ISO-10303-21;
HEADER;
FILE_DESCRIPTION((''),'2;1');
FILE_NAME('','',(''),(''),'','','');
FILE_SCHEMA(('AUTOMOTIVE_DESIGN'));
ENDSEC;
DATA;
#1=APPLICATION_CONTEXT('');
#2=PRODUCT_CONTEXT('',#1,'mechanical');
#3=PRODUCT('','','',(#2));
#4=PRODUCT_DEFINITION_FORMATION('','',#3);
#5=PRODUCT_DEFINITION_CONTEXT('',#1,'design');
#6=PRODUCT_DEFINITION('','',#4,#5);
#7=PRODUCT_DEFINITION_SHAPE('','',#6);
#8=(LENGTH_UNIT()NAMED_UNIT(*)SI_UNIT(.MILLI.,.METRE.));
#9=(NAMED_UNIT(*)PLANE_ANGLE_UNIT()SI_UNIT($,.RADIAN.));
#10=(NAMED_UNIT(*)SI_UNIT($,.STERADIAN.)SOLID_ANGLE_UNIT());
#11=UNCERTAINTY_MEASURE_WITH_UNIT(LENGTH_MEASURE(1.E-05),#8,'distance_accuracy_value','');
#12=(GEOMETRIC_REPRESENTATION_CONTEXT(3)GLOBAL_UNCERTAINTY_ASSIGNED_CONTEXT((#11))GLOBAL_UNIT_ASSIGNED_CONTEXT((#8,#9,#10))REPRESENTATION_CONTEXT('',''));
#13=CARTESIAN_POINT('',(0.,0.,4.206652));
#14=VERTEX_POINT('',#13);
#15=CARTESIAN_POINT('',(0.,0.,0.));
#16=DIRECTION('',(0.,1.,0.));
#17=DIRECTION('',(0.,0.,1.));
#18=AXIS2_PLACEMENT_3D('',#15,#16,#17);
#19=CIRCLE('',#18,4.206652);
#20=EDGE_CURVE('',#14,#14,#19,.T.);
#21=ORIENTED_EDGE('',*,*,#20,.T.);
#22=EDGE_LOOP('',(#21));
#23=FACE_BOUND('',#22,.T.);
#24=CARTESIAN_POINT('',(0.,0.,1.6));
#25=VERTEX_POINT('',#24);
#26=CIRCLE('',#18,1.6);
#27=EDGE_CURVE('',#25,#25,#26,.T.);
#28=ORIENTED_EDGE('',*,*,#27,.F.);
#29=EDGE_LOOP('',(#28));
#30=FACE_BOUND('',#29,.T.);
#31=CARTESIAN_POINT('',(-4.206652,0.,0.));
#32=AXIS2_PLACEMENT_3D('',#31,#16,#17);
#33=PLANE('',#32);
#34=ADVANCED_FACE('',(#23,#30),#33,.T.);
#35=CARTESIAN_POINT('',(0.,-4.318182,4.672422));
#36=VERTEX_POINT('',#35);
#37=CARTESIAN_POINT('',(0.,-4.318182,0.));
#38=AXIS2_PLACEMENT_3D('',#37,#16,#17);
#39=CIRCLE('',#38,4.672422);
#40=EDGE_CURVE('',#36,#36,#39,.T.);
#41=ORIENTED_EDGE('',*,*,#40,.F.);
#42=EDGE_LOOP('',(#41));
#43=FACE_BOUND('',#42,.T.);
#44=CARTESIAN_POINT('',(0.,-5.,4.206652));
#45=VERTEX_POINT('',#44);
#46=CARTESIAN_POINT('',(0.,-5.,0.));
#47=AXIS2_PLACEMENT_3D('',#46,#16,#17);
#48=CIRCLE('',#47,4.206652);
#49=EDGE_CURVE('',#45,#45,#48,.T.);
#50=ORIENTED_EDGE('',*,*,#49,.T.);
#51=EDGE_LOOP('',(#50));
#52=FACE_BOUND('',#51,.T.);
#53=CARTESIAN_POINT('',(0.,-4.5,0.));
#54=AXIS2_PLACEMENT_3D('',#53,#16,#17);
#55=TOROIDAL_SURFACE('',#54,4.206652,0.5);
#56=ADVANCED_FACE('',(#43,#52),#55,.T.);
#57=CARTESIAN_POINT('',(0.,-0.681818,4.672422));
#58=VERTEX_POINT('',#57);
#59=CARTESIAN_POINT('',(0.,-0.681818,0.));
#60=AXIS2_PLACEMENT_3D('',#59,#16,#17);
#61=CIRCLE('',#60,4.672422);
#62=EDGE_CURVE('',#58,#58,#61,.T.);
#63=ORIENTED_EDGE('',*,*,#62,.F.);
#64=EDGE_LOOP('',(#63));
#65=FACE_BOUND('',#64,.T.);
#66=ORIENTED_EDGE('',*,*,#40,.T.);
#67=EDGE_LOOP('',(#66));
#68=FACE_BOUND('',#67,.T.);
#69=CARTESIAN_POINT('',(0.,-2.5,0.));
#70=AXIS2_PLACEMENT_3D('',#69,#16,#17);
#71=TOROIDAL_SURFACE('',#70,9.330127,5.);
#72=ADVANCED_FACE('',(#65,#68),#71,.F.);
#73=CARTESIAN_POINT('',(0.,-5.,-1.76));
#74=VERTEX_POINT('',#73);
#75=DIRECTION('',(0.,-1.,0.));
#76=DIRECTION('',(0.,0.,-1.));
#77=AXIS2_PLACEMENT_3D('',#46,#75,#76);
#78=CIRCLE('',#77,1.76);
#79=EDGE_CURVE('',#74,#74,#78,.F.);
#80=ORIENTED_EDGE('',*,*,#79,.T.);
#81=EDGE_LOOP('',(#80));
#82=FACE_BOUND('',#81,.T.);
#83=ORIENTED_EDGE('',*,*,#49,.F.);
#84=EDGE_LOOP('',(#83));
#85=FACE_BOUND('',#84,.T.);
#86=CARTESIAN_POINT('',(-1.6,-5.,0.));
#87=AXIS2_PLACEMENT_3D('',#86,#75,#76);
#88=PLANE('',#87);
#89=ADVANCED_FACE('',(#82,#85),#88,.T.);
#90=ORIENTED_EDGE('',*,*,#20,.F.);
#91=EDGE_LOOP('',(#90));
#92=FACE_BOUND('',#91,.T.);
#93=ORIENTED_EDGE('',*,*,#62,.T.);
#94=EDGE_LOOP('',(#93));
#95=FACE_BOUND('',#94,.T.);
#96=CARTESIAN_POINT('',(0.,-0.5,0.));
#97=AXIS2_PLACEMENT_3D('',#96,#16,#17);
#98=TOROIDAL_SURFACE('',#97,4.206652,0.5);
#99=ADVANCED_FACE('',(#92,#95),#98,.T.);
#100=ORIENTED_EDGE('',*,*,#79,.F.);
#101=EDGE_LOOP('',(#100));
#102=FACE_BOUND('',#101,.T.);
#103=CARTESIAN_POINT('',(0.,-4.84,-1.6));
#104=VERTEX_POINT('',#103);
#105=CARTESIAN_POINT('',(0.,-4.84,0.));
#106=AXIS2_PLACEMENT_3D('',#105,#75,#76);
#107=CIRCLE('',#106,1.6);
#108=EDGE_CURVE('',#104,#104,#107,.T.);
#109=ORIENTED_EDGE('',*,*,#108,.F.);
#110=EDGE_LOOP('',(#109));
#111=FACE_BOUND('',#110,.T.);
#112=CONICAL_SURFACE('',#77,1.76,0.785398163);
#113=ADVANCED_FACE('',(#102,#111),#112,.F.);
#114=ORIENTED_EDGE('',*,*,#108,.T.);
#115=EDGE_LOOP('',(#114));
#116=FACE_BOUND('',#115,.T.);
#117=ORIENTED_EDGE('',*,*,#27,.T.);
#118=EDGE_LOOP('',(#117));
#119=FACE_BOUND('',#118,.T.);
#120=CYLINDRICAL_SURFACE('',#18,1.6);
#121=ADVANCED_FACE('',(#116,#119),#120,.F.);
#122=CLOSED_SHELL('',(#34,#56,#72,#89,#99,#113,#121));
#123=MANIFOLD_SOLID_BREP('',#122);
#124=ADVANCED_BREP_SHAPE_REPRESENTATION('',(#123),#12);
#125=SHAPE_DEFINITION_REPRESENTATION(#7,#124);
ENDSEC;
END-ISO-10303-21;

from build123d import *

# Parameters (mm, degrees)
CHAMFER1_SIZE = 0.16


with BuildPart() as part:
    # Sketch1 → Revolve1 (revolve)
    with BuildSketch(Plane.XY, mode=Mode.PRIVATE) as revolve1_sk:
        with BuildLine():
            Line((-4.206651636, 0), (-1.6, 0))
            Line((-1.6, 0), (-1.6, -5))
            Line((-1.6, -5), (-4.206651636, -5))
            ThreePointArc((-4.206651636, -5), (-4.619513048, -4.782038037), (-4.672422125, -4.318181818))
            ThreePointArc((-4.672422125, -4.318181818), (-4.330127019, -2.5), (-4.672422125, -0.681818182))
            ThreePointArc((-4.672422125, -0.681818182), (-4.619513048, -0.217961963), (-4.206651636, 0))
        make_face()
    revolve(revolve1_sk.sketch.rotate(Axis((0, 0, 0), (0, -1, 0)), 270), axis=Axis((0, 0, 0), (0, -1, 0)))

    # Chamfer1
    chamfer1_edges = [part.edges().sort_by_distance(p)[0] for p in [
        (0, -5, -1.6),
    ]]
    chamfer(chamfer1_edges, length=CHAMFER1_SIZE)


solid = part.part
